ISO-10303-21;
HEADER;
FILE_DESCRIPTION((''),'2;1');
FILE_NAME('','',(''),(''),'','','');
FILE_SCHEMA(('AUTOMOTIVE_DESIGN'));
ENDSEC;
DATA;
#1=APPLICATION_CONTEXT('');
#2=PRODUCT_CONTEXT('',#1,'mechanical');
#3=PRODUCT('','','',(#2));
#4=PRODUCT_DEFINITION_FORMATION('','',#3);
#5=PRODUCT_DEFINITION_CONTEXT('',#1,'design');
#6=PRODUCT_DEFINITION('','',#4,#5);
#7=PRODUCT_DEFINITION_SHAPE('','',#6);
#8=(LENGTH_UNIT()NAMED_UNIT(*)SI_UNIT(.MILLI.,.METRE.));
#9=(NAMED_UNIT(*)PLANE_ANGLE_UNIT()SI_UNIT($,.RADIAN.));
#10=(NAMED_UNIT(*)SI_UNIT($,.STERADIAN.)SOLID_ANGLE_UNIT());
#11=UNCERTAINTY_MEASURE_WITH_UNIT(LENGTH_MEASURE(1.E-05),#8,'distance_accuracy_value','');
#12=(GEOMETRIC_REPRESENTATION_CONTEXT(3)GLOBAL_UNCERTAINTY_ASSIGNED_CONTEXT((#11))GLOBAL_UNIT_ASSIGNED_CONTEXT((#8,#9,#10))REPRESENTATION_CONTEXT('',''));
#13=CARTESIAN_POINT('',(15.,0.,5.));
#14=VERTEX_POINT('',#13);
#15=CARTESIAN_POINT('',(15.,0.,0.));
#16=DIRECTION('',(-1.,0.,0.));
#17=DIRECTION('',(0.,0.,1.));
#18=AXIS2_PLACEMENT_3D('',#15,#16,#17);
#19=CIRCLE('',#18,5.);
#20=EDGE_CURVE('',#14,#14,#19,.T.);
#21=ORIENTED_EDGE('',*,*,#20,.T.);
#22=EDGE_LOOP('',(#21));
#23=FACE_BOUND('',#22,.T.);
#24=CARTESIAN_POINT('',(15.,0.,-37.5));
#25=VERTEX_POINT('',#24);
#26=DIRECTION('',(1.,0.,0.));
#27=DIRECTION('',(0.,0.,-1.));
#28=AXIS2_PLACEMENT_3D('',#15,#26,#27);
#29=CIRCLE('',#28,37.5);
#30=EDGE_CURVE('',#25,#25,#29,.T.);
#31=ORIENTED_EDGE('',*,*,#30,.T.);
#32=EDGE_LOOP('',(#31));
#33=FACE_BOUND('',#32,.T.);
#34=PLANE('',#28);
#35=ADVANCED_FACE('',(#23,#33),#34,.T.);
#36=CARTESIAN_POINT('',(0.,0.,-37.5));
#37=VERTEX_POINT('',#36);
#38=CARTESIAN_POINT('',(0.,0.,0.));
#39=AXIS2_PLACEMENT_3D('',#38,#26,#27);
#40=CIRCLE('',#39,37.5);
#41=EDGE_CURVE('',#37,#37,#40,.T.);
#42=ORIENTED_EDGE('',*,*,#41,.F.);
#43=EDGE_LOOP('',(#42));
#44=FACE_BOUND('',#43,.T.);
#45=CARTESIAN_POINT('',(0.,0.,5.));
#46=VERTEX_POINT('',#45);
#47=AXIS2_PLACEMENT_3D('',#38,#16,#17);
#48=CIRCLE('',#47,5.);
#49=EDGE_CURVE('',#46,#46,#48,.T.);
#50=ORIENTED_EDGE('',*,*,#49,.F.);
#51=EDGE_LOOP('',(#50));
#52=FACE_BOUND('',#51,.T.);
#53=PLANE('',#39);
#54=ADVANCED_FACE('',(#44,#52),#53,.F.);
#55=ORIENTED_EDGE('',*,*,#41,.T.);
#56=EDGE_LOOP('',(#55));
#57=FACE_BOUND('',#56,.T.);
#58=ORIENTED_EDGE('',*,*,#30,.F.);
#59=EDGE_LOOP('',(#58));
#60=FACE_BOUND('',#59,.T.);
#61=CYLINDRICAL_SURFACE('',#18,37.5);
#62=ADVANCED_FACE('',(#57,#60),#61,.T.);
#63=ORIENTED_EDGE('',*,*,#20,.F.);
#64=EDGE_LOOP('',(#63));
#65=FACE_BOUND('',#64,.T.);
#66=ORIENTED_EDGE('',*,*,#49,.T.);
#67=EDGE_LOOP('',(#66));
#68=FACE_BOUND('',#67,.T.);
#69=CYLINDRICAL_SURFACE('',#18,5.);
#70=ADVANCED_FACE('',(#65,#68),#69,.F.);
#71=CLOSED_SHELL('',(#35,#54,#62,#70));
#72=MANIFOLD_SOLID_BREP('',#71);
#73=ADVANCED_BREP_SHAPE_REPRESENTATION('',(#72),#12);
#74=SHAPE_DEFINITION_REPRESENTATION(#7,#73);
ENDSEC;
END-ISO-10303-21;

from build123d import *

# Parameters (mm, degrees)
SKETCH2_R           = 37.5
BOSS_EXTRUDE1_DEPTH = 15
SKETCH4_R           = 5
CUT_EXTRUDE1_DEPTH  = 16


with BuildPart() as part:
    # Sketch2 → Boss-Extrude1 (new body)
    with BuildSketch(Plane(origin=(0, 0, 0), x_dir=(0, 0, -1), z_dir=(1, 0, 0))):
        Circle(SKETCH2_R)
    extrude(amount=BOSS_EXTRUDE1_DEPTH)

    # Sketch4 → Cut-Extrude1 (cut, through all)
    with BuildSketch(Plane.ZY):
        Circle(SKETCH4_R)
    extrude(amount=-CUT_EXTRUDE1_DEPTH, mode=Mode.SUBTRACT)


solid = part.part
